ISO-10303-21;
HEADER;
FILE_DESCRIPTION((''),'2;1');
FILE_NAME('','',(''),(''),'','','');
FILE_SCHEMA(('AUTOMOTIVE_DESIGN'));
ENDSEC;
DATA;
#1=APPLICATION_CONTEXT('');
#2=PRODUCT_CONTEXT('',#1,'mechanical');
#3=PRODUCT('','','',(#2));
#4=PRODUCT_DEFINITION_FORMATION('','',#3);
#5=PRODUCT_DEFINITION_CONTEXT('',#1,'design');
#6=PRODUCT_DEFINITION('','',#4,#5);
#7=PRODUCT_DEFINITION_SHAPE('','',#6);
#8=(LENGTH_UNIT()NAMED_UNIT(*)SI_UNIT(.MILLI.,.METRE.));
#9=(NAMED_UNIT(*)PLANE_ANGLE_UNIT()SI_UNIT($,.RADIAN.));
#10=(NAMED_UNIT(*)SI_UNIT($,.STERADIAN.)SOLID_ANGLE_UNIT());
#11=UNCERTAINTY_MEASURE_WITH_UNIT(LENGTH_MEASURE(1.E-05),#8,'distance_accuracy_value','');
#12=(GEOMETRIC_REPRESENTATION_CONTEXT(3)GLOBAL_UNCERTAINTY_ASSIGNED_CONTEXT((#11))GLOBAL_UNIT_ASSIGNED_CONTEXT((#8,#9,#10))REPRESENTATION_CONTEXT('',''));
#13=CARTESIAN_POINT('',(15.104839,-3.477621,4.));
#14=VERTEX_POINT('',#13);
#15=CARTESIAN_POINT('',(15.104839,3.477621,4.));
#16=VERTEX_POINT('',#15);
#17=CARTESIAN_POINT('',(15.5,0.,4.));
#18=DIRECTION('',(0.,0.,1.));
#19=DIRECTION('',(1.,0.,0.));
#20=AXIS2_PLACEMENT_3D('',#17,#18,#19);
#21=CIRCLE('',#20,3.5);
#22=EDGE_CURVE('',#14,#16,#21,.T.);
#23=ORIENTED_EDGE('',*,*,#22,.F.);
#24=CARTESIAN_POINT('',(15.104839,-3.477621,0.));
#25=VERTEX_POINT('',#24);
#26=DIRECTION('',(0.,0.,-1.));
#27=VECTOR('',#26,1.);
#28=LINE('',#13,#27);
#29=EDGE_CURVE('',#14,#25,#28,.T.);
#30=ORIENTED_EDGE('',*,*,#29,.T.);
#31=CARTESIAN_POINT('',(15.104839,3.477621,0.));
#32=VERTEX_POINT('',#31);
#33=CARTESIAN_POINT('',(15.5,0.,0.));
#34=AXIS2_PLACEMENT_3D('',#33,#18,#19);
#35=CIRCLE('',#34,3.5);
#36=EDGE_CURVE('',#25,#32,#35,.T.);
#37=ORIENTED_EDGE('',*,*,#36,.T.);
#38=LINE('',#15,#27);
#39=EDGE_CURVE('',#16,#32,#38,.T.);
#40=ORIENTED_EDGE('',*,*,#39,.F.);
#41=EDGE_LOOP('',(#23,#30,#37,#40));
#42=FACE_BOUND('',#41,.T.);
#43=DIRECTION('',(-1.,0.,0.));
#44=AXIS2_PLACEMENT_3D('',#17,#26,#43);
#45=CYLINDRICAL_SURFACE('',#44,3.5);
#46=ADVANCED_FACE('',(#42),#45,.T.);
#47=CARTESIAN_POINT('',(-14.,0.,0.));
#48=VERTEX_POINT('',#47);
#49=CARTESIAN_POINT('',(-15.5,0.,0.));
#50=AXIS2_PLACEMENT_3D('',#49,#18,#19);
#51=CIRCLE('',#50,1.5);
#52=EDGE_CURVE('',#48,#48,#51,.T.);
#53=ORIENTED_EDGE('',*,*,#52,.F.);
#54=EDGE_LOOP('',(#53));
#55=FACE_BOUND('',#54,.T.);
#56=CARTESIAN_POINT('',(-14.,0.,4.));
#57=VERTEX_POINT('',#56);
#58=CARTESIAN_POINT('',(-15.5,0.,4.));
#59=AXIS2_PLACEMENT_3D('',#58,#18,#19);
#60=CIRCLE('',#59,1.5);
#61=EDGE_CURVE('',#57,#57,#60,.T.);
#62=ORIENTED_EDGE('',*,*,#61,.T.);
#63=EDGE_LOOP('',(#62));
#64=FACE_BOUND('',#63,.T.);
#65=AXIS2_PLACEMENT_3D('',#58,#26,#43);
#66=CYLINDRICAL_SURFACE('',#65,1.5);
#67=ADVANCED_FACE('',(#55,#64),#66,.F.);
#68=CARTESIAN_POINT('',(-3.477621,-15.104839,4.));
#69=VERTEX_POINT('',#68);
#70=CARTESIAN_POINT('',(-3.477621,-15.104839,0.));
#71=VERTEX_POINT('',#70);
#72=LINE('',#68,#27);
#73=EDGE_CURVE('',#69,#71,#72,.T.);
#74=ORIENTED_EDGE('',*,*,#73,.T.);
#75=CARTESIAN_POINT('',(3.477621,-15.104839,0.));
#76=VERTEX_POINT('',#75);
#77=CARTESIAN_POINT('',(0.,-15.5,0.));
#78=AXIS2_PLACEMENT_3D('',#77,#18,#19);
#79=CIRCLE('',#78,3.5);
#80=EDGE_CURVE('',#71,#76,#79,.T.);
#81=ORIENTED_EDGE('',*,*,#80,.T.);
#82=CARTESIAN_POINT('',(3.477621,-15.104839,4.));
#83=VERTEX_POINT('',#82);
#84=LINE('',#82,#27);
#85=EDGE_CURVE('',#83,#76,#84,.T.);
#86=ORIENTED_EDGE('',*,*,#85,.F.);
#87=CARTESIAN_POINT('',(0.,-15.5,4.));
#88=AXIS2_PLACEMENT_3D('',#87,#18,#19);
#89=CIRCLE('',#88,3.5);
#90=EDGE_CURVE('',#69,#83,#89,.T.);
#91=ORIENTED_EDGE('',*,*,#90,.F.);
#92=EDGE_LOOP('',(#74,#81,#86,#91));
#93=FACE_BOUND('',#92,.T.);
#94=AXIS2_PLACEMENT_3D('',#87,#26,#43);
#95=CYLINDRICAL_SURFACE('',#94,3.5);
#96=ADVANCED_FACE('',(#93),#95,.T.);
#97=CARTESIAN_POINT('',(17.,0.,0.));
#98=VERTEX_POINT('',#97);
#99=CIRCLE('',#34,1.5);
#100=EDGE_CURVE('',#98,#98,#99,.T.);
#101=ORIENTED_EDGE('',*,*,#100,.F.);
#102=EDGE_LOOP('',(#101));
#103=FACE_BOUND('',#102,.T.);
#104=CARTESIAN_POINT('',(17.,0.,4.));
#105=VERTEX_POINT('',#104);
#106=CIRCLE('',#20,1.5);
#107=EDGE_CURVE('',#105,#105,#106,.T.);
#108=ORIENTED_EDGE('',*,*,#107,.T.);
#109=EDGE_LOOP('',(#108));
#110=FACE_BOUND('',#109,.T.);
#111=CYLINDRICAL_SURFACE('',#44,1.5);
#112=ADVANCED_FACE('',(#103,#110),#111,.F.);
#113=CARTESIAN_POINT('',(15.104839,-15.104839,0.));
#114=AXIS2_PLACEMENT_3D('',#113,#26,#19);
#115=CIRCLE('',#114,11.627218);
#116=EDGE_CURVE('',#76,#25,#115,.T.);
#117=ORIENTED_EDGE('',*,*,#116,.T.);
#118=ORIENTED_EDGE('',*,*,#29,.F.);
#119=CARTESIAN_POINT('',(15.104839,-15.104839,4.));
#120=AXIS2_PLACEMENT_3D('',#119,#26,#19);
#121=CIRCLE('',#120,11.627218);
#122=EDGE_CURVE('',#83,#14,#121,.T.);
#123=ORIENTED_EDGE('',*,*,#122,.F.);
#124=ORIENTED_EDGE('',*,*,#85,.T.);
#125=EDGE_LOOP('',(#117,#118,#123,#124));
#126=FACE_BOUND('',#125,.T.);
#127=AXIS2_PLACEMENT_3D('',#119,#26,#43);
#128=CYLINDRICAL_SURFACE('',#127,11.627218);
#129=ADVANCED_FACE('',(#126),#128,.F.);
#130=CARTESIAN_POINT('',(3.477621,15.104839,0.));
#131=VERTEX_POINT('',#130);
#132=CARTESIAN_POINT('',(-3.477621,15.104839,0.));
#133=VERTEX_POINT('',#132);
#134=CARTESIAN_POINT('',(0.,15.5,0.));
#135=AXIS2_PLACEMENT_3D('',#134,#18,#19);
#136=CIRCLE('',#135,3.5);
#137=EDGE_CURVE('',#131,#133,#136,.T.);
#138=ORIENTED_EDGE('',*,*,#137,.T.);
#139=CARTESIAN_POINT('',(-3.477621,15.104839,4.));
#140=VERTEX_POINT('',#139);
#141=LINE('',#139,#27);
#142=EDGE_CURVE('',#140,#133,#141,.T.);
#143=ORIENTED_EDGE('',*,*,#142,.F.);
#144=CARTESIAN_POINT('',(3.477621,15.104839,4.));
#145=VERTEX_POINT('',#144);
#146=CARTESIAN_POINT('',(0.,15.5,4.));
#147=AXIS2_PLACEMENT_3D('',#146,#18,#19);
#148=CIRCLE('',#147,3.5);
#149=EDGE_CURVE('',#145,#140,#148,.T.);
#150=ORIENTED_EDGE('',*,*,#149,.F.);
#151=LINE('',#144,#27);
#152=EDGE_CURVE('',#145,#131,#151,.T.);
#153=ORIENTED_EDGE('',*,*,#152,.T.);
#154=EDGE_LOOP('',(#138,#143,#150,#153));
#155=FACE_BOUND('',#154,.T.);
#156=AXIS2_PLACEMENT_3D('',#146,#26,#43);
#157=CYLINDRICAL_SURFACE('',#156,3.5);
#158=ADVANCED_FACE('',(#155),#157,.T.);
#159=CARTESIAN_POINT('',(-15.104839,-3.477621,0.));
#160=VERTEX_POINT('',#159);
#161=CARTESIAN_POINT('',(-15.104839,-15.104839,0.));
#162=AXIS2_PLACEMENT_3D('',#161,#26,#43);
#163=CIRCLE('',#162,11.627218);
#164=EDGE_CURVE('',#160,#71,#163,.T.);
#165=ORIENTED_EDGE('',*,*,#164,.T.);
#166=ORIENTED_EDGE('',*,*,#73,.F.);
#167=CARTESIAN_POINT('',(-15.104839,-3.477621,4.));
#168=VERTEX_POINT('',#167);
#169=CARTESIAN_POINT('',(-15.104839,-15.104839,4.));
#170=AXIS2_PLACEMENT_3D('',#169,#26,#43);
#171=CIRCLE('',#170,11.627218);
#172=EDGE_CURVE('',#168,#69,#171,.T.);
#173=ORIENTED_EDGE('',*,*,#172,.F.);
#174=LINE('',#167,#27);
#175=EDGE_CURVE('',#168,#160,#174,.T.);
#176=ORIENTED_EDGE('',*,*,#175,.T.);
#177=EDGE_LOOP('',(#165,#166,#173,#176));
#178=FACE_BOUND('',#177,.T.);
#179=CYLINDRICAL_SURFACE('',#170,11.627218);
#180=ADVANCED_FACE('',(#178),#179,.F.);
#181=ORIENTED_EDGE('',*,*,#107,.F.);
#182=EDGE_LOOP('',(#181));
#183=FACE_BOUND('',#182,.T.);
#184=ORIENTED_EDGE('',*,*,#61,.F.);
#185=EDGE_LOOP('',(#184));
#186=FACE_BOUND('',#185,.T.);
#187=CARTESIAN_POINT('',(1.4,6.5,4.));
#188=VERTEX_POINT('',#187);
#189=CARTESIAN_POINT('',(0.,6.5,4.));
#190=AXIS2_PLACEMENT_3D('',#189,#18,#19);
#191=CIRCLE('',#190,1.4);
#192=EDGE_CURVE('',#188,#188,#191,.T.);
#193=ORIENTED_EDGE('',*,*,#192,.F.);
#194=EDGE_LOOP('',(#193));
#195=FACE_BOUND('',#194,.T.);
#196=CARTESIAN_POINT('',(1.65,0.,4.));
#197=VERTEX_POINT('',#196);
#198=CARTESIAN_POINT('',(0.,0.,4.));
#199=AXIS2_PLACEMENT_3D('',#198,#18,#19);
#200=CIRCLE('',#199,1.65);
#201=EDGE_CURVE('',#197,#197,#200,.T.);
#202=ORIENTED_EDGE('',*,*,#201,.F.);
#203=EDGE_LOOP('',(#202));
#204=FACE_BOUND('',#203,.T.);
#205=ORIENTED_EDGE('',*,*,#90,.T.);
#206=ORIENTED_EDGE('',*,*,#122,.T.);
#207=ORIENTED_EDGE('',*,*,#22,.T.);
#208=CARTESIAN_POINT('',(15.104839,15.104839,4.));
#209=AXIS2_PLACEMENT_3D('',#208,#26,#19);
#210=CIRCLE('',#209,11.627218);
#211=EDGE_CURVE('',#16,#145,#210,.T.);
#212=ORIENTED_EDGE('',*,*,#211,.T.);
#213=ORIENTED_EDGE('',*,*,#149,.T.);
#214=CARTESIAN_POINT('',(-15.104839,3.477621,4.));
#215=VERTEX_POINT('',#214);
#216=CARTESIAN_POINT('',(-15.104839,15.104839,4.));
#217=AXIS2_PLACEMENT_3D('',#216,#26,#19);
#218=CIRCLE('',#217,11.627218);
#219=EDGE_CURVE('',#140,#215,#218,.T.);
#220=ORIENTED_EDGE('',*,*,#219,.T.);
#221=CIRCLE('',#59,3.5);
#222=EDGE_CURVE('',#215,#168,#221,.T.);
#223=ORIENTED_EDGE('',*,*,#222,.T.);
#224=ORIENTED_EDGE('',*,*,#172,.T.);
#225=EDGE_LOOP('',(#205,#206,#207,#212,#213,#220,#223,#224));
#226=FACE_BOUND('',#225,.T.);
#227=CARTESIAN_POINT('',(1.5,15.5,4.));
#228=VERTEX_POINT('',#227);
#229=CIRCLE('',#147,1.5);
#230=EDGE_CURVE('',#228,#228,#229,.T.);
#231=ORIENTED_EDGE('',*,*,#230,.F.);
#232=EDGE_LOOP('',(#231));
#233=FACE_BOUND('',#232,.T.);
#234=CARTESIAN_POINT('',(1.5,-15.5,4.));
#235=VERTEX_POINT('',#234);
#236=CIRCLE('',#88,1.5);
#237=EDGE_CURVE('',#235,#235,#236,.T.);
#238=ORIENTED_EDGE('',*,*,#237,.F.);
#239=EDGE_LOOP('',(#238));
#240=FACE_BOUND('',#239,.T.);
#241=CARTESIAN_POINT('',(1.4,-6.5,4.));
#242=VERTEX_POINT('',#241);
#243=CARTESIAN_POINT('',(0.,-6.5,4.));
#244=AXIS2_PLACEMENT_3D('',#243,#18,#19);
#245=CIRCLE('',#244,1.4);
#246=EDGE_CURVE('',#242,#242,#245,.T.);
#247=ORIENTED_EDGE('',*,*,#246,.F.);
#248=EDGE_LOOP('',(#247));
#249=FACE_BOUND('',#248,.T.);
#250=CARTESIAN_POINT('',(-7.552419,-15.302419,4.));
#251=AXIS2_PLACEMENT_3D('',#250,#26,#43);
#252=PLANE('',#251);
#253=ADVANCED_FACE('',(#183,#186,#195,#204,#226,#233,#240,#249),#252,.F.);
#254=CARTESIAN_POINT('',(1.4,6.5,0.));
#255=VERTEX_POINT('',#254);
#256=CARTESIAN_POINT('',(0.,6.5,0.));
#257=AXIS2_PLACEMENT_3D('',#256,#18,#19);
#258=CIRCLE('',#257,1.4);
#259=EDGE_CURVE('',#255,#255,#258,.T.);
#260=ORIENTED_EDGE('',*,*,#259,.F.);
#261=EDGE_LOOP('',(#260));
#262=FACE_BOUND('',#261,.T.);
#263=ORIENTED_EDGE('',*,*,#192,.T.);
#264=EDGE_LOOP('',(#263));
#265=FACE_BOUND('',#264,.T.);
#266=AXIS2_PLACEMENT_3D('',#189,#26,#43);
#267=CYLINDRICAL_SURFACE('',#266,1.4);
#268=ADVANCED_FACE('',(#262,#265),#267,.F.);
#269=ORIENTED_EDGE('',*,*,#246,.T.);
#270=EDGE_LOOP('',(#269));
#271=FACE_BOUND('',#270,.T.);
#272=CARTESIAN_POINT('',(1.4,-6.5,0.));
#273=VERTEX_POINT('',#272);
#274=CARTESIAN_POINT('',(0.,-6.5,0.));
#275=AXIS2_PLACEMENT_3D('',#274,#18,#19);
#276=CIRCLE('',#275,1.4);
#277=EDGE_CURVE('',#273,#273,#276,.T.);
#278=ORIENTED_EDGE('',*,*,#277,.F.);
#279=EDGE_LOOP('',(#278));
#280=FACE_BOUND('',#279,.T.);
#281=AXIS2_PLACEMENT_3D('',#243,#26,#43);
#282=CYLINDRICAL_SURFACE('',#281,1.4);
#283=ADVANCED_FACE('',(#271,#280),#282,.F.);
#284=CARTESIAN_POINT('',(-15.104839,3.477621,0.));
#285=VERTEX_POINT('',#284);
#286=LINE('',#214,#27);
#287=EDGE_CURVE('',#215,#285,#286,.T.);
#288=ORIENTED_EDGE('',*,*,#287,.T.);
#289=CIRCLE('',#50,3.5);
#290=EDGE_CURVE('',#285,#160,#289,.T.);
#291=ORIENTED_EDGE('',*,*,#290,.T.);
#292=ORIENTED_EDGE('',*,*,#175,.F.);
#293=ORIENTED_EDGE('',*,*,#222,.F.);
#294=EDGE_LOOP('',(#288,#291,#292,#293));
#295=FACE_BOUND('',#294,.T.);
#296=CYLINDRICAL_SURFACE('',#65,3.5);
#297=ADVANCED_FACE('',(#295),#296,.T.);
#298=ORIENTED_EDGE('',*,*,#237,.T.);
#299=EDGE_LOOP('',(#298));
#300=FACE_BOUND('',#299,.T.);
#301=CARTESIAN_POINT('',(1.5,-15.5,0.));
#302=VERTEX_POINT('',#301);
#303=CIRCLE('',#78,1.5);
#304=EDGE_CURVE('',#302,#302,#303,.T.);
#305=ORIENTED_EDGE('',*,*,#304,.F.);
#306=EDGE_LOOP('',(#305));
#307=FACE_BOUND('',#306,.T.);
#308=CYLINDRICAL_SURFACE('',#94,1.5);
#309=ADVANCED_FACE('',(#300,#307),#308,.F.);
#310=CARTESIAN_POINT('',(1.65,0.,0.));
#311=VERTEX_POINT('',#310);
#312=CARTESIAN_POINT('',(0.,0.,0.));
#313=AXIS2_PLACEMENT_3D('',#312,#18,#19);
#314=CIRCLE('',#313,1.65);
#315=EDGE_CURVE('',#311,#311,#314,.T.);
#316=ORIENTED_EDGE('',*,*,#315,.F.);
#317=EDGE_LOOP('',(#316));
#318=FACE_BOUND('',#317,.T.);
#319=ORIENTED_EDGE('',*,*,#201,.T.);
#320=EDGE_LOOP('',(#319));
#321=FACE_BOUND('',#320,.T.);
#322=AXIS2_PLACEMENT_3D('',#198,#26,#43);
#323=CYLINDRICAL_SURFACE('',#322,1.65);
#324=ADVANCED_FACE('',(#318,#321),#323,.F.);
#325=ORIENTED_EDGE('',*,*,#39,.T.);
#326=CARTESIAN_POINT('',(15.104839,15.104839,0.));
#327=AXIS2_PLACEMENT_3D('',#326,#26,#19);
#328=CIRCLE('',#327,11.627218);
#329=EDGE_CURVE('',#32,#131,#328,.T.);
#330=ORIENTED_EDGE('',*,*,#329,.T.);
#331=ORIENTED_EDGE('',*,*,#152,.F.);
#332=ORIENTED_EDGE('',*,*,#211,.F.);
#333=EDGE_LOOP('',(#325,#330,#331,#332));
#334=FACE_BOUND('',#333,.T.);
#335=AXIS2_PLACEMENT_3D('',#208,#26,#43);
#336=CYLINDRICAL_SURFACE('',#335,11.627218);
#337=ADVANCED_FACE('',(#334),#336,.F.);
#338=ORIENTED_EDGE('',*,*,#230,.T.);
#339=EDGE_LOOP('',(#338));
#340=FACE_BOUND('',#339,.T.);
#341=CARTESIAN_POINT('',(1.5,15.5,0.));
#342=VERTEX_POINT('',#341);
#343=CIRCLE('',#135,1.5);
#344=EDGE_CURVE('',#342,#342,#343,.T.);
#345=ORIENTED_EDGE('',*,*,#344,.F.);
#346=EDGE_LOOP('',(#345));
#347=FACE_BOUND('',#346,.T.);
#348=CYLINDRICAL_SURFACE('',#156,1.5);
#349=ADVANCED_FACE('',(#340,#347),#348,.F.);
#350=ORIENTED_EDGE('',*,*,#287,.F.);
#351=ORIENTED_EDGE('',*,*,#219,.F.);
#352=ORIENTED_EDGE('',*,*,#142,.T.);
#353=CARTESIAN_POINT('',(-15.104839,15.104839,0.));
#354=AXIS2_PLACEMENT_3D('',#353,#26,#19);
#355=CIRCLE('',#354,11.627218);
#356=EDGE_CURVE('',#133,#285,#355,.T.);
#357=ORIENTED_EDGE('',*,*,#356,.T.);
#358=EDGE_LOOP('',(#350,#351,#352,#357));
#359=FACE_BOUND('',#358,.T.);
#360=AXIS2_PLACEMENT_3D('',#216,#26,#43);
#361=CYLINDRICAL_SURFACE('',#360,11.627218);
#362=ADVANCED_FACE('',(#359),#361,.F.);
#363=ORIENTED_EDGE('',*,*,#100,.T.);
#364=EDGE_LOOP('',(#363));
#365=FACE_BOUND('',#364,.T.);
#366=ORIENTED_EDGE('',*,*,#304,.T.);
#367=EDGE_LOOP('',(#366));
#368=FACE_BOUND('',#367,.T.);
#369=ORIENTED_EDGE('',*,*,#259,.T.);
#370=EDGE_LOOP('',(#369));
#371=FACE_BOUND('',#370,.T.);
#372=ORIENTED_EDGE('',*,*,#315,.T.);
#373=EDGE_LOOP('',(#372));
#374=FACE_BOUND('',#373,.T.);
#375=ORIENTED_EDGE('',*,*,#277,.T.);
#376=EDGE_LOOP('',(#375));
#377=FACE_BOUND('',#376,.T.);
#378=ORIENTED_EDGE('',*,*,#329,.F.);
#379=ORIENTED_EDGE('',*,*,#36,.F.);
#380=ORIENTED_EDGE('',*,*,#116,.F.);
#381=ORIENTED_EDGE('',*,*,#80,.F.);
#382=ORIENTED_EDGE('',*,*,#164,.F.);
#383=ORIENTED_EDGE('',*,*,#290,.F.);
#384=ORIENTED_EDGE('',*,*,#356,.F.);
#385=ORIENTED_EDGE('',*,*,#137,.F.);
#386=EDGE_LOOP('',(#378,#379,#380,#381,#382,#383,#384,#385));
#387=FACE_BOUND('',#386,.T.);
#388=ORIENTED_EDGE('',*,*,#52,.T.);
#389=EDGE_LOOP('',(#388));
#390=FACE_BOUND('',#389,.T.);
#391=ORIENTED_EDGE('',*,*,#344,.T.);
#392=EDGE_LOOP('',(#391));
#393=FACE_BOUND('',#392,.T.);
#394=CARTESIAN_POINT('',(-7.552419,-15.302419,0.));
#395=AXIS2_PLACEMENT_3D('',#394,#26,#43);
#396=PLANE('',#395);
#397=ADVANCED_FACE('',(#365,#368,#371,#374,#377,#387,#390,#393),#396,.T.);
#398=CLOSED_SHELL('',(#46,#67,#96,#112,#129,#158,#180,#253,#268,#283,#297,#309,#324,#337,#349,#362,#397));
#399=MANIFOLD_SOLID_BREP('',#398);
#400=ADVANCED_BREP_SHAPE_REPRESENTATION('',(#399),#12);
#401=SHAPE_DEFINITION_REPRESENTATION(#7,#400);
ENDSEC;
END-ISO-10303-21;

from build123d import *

# Parameters (mm, degrees)
SKETCH_1_R      = 1.65
SKETCH_1_R_2    = 1.4
SKETCH_1_R_3    = 1.5
EXTRUDE_1_DEPTH = 4


with BuildPart() as part:
    # 草图1 → 凸台-拉伸1 (new body)
    with BuildSketch(Plane.XY):
        with BuildLine():
            ThreePointArc((-3.477620962, -15.10483871), (0, -19), (3.477620962, -15.10483871))
            ThreePointArc((3.477620962, -15.10483871), (6.883154194, -6.883154194), (15.10483871, -3.477620962))
            ThreePointArc((15.10483871, -3.477620962), (19, 0), (15.10483871, 3.477620962))
            ThreePointArc((15.10483871, 3.477620962), (6.883154194, 6.883154194), (3.477620962, 15.10483871))
            ThreePointArc((3.477620962, 15.10483871), (0, 19), (-3.477620962, 15.10483871))
            ThreePointArc((-3.477620962, 15.10483871), (-6.883154194, 6.883154194), (-15.10483871, 3.477620962))
            ThreePointArc((-15.10483871, 3.477620962), (-19, 0), (-15.10483871, -3.477620962))
            ThreePointArc((-15.10483871, -3.477620962), (-6.883154194, -6.883154194), (-3.477620962, -15.10483871))
        make_face()
        Circle(SKETCH_1_R, mode=Mode.SUBTRACT)
        with Locations((0, -6.5)):
            Circle(SKETCH_1_R_2, mode=Mode.SUBTRACT)
        with Locations((0, 6.5)):
            Circle(SKETCH_1_R_2, mode=Mode.SUBTRACT)
        with Locations((0, -15.5)):
            Circle(SKETCH_1_R_3, mode=Mode.SUBTRACT)
        with Locations((-15.5, 0)):
            Circle(SKETCH_1_R_3, mode=Mode.SUBTRACT)
        with Locations((0, 15.5)):
            Circle(SKETCH_1_R_3, mode=Mode.SUBTRACT)
        with Locations((15.5, 0)):
            Circle(SKETCH_1_R_3, mode=Mode.SUBTRACT)
    extrude(amount=EXTRUDE_1_DEPTH)


solid = part.part
